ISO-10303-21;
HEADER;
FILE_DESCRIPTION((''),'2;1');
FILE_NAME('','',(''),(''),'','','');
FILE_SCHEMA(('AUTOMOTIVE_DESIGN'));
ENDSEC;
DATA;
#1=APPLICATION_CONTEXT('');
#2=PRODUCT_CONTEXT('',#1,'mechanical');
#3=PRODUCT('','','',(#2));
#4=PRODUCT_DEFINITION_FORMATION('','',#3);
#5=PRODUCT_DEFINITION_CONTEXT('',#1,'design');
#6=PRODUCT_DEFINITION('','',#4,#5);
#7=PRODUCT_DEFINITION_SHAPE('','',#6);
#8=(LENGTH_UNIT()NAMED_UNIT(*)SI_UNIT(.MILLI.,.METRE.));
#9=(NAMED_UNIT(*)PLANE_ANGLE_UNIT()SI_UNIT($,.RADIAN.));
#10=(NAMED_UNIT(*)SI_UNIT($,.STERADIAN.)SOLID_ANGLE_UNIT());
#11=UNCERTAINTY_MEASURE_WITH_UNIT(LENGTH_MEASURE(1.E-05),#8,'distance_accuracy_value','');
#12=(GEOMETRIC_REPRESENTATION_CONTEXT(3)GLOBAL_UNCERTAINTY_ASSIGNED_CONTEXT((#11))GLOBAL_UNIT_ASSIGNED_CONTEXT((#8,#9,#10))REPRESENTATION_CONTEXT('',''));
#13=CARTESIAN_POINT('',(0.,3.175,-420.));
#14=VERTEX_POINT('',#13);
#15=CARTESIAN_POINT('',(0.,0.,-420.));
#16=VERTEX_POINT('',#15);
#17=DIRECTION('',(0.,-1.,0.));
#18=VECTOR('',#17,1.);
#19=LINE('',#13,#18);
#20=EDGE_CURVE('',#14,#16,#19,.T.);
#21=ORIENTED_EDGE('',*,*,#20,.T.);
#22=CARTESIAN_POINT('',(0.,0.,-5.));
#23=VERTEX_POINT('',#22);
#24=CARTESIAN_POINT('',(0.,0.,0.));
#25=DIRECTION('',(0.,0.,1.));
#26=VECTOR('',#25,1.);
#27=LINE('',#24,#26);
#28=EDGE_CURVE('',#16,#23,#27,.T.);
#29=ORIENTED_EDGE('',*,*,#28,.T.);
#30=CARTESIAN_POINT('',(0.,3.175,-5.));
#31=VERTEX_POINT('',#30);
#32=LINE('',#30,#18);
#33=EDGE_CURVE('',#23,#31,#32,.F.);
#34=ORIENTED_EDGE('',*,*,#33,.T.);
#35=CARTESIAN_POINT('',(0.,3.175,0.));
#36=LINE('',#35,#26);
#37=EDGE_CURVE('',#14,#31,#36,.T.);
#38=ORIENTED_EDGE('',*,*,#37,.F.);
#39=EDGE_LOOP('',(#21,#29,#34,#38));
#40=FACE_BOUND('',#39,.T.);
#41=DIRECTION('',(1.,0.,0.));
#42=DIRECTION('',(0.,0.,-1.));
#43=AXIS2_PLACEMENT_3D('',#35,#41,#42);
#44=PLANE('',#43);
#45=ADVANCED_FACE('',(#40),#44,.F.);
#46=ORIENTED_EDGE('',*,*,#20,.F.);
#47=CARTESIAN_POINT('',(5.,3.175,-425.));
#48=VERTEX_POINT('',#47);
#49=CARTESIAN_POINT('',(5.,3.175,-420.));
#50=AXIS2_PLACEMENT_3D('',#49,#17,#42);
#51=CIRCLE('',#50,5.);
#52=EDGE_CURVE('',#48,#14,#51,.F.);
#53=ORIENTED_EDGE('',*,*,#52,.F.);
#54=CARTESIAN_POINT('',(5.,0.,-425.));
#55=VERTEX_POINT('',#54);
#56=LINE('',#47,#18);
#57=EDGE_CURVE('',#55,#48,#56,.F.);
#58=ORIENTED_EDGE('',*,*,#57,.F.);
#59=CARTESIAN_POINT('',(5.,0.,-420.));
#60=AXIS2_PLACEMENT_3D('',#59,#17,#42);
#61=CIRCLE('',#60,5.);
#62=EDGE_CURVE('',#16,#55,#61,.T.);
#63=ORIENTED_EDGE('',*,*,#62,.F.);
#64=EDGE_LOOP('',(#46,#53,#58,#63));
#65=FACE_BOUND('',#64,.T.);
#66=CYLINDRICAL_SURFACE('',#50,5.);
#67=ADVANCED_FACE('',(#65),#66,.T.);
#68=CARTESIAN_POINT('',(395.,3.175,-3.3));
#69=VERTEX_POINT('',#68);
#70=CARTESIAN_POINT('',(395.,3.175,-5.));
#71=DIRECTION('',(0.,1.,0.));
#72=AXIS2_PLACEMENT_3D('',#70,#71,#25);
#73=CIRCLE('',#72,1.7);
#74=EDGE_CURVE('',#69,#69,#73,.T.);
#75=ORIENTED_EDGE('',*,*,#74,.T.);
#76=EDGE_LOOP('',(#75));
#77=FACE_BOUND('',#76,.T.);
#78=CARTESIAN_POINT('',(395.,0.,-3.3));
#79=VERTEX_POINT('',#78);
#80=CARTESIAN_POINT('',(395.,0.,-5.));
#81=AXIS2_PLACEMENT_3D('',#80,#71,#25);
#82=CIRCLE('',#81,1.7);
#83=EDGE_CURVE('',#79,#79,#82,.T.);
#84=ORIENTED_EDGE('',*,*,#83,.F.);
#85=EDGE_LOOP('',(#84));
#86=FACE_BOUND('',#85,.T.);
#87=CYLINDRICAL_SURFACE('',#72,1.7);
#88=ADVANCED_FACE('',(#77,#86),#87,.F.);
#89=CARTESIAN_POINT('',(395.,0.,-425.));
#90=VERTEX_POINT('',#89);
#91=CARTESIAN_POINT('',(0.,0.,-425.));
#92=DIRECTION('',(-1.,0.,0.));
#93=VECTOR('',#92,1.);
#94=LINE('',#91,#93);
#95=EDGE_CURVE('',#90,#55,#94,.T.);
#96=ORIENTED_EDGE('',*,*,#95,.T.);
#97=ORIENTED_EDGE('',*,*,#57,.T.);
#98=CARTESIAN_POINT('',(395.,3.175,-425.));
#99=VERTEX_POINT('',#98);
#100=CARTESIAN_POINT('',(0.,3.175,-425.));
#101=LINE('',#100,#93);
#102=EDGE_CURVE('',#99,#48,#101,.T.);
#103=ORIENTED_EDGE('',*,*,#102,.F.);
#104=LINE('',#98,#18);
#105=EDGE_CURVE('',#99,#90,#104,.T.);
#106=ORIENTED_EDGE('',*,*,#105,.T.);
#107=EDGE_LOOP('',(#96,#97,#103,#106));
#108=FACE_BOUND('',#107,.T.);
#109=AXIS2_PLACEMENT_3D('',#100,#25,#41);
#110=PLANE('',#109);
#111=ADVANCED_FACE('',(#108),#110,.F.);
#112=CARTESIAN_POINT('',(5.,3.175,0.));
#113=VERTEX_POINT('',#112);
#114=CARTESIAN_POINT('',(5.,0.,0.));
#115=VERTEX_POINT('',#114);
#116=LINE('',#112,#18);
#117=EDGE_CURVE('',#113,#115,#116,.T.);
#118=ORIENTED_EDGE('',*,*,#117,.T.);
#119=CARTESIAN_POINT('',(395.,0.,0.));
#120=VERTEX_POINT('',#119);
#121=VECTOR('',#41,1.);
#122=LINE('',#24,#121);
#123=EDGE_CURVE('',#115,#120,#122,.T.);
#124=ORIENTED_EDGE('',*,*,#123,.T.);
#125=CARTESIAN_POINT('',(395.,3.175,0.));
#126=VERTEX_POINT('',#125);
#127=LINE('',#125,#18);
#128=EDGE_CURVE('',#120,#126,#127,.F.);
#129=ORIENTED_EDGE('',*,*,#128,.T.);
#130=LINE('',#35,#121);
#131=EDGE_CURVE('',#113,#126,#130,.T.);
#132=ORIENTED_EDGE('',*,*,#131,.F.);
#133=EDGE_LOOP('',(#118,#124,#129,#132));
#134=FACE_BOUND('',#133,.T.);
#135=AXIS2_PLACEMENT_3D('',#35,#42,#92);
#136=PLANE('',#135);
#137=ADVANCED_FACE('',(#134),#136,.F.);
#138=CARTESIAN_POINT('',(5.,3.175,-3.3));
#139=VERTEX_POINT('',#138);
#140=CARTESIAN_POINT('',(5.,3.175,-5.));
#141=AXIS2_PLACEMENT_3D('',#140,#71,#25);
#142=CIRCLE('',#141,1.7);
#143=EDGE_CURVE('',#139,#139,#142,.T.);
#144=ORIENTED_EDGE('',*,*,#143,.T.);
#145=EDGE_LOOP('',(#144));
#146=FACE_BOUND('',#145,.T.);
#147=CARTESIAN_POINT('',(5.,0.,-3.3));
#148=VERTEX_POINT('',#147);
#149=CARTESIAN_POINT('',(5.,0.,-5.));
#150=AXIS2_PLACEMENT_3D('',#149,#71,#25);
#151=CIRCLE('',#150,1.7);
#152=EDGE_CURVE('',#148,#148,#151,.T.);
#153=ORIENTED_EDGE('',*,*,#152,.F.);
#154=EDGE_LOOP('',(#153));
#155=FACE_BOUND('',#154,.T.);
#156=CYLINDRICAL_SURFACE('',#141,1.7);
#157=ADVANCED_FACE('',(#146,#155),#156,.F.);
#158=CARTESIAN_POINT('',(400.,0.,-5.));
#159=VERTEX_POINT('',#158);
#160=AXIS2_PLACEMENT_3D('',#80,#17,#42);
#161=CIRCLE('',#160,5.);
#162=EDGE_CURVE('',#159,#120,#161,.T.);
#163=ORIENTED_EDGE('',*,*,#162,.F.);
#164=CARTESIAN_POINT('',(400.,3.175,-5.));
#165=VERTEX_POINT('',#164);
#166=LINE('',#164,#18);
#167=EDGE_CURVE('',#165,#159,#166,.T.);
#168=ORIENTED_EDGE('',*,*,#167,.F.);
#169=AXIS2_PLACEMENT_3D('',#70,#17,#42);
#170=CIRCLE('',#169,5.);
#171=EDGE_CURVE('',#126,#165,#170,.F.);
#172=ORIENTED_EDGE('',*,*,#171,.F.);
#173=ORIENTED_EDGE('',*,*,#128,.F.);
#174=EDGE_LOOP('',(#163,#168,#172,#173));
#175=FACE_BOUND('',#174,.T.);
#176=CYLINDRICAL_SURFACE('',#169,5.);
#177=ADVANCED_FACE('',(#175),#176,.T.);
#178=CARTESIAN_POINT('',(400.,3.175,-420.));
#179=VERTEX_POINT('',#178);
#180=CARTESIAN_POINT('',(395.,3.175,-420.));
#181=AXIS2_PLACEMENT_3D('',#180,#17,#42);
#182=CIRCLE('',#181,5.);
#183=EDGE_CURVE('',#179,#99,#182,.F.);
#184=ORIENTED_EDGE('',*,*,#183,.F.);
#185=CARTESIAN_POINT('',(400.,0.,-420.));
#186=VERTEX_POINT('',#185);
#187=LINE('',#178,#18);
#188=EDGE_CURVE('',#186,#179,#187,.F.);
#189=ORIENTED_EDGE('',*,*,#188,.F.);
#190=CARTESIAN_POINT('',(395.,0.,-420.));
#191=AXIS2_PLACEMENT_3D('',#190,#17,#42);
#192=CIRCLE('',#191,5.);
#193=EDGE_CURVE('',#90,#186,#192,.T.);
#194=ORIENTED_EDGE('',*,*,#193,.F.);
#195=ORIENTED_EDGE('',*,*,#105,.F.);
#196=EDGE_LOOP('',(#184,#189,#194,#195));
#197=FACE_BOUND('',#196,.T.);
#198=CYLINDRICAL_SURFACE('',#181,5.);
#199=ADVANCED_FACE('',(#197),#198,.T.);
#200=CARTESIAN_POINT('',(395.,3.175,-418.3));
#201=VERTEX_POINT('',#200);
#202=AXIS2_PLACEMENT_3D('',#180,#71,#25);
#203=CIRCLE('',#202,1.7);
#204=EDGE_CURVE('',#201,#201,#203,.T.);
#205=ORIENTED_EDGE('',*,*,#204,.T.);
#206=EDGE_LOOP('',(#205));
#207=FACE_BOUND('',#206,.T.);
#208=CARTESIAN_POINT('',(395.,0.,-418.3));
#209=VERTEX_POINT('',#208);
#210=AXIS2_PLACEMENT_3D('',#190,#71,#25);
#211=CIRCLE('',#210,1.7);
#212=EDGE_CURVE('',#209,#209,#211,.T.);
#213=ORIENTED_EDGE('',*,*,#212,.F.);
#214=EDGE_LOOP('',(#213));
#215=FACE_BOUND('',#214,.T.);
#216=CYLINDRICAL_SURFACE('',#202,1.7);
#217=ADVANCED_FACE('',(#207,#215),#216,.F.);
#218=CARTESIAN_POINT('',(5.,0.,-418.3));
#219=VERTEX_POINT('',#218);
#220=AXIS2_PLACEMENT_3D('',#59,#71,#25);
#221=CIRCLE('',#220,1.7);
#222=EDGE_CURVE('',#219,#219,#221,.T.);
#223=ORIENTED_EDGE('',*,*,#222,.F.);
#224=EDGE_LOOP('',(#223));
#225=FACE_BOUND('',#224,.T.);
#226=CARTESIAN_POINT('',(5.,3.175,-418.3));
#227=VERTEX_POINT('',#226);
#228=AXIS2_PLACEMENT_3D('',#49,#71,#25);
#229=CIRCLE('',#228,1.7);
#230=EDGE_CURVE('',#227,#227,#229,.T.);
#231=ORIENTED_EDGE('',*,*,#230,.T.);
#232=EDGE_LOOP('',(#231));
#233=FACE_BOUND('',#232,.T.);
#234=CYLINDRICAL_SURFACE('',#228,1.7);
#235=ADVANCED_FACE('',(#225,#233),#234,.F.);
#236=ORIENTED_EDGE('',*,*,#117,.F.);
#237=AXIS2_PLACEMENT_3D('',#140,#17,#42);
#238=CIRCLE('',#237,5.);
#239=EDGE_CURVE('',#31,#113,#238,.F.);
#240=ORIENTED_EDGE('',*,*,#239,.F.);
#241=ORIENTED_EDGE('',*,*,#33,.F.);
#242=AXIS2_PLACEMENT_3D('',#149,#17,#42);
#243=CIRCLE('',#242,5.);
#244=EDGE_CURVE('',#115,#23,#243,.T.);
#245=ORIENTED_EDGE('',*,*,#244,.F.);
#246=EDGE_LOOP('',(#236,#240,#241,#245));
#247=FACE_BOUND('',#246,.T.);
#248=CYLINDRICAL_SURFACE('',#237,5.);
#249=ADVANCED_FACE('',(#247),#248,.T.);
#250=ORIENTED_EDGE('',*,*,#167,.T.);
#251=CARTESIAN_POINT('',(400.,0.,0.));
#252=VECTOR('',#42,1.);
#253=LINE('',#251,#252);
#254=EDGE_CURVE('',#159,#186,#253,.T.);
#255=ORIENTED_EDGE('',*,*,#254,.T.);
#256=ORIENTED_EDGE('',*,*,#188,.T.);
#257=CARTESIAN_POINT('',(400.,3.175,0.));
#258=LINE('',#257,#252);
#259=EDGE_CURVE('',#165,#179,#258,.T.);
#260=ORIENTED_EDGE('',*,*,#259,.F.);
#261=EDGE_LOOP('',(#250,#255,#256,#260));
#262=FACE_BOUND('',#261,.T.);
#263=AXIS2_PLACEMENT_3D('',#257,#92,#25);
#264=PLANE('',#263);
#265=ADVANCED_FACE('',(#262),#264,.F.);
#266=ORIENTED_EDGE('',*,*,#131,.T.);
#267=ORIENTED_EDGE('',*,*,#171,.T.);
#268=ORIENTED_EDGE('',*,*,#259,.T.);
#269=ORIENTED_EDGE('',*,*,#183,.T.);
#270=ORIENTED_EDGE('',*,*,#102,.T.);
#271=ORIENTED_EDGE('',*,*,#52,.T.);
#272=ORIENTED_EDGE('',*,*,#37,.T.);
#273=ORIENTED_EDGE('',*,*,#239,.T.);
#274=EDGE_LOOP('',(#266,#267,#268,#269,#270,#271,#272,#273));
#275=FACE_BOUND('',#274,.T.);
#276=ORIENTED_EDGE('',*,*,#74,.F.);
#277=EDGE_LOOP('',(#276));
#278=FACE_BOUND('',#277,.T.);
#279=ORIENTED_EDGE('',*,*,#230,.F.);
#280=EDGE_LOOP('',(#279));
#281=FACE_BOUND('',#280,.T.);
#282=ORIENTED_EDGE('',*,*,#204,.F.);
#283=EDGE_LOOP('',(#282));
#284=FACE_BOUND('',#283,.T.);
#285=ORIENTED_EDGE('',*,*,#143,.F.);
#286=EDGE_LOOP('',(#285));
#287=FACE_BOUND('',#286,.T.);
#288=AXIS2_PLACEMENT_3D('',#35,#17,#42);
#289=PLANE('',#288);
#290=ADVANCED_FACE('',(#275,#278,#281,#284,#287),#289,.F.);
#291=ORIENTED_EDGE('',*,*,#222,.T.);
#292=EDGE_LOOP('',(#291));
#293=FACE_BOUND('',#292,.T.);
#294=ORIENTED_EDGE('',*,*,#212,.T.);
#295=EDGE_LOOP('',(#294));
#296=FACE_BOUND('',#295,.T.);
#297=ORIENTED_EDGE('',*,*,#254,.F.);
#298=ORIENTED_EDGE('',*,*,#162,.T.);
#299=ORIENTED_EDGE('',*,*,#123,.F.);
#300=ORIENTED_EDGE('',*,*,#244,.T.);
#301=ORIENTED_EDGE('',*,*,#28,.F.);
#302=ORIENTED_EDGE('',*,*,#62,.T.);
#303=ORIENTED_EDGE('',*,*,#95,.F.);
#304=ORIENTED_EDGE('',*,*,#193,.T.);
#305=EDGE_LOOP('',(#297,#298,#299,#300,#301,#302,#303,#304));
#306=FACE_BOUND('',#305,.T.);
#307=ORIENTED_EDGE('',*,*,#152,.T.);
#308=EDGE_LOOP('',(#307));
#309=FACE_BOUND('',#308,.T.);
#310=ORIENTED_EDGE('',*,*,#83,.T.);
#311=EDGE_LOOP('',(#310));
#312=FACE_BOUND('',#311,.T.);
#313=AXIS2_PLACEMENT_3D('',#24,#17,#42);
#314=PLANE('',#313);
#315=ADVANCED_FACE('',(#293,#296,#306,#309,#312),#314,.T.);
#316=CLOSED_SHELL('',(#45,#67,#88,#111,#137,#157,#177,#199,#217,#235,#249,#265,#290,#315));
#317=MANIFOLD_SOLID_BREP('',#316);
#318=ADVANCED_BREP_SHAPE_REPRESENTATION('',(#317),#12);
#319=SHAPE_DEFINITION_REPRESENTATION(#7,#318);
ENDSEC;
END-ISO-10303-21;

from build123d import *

# Parameters (mm, degrees)
SKETCH2_W            = 400
SKETCH2_H            = 425
BOSS_EXTRUDE1_DEPTH  = 3.175
M3_CLEARANCE_HOLE1_D = 3.4
FILLET1_R            = 5


with BuildPart() as part:
    # Sketch2 → Boss-Extrude1 (new body)
    with BuildSketch(Plane(origin=(0, 0, 0), x_dir=(1, 0, 0), z_dir=(0, 1, 0))):
        with Locations((200, 212.5)):
            Rectangle(SKETCH2_W, SKETCH2_H)
    extrude(amount=BOSS_EXTRUDE1_DEPTH)

    # M3 Clearance Hole1 (through all)
    with Locations(Plane(origin=(5, 3.175, -420), x_dir=(0, 0, 1), z_dir=(0, 1, 0))):
        with Locations((0, 0), (0, 390), (415, 0), (415, 390)):
            Hole(M3_CLEARANCE_HOLE1_D / 2)

    # Fillet1
    fillet1_edges = [part.edges().sort_by_distance(p)[0] for p in [
        (0, 1.5875, -425),
        (400, 1.5875, -425),
        (400, 1.5875, 0),
        (0, 1.5875, 0),
    ]]
    fillet(fillet1_edges, radius=FILLET1_R)


solid = part.part
